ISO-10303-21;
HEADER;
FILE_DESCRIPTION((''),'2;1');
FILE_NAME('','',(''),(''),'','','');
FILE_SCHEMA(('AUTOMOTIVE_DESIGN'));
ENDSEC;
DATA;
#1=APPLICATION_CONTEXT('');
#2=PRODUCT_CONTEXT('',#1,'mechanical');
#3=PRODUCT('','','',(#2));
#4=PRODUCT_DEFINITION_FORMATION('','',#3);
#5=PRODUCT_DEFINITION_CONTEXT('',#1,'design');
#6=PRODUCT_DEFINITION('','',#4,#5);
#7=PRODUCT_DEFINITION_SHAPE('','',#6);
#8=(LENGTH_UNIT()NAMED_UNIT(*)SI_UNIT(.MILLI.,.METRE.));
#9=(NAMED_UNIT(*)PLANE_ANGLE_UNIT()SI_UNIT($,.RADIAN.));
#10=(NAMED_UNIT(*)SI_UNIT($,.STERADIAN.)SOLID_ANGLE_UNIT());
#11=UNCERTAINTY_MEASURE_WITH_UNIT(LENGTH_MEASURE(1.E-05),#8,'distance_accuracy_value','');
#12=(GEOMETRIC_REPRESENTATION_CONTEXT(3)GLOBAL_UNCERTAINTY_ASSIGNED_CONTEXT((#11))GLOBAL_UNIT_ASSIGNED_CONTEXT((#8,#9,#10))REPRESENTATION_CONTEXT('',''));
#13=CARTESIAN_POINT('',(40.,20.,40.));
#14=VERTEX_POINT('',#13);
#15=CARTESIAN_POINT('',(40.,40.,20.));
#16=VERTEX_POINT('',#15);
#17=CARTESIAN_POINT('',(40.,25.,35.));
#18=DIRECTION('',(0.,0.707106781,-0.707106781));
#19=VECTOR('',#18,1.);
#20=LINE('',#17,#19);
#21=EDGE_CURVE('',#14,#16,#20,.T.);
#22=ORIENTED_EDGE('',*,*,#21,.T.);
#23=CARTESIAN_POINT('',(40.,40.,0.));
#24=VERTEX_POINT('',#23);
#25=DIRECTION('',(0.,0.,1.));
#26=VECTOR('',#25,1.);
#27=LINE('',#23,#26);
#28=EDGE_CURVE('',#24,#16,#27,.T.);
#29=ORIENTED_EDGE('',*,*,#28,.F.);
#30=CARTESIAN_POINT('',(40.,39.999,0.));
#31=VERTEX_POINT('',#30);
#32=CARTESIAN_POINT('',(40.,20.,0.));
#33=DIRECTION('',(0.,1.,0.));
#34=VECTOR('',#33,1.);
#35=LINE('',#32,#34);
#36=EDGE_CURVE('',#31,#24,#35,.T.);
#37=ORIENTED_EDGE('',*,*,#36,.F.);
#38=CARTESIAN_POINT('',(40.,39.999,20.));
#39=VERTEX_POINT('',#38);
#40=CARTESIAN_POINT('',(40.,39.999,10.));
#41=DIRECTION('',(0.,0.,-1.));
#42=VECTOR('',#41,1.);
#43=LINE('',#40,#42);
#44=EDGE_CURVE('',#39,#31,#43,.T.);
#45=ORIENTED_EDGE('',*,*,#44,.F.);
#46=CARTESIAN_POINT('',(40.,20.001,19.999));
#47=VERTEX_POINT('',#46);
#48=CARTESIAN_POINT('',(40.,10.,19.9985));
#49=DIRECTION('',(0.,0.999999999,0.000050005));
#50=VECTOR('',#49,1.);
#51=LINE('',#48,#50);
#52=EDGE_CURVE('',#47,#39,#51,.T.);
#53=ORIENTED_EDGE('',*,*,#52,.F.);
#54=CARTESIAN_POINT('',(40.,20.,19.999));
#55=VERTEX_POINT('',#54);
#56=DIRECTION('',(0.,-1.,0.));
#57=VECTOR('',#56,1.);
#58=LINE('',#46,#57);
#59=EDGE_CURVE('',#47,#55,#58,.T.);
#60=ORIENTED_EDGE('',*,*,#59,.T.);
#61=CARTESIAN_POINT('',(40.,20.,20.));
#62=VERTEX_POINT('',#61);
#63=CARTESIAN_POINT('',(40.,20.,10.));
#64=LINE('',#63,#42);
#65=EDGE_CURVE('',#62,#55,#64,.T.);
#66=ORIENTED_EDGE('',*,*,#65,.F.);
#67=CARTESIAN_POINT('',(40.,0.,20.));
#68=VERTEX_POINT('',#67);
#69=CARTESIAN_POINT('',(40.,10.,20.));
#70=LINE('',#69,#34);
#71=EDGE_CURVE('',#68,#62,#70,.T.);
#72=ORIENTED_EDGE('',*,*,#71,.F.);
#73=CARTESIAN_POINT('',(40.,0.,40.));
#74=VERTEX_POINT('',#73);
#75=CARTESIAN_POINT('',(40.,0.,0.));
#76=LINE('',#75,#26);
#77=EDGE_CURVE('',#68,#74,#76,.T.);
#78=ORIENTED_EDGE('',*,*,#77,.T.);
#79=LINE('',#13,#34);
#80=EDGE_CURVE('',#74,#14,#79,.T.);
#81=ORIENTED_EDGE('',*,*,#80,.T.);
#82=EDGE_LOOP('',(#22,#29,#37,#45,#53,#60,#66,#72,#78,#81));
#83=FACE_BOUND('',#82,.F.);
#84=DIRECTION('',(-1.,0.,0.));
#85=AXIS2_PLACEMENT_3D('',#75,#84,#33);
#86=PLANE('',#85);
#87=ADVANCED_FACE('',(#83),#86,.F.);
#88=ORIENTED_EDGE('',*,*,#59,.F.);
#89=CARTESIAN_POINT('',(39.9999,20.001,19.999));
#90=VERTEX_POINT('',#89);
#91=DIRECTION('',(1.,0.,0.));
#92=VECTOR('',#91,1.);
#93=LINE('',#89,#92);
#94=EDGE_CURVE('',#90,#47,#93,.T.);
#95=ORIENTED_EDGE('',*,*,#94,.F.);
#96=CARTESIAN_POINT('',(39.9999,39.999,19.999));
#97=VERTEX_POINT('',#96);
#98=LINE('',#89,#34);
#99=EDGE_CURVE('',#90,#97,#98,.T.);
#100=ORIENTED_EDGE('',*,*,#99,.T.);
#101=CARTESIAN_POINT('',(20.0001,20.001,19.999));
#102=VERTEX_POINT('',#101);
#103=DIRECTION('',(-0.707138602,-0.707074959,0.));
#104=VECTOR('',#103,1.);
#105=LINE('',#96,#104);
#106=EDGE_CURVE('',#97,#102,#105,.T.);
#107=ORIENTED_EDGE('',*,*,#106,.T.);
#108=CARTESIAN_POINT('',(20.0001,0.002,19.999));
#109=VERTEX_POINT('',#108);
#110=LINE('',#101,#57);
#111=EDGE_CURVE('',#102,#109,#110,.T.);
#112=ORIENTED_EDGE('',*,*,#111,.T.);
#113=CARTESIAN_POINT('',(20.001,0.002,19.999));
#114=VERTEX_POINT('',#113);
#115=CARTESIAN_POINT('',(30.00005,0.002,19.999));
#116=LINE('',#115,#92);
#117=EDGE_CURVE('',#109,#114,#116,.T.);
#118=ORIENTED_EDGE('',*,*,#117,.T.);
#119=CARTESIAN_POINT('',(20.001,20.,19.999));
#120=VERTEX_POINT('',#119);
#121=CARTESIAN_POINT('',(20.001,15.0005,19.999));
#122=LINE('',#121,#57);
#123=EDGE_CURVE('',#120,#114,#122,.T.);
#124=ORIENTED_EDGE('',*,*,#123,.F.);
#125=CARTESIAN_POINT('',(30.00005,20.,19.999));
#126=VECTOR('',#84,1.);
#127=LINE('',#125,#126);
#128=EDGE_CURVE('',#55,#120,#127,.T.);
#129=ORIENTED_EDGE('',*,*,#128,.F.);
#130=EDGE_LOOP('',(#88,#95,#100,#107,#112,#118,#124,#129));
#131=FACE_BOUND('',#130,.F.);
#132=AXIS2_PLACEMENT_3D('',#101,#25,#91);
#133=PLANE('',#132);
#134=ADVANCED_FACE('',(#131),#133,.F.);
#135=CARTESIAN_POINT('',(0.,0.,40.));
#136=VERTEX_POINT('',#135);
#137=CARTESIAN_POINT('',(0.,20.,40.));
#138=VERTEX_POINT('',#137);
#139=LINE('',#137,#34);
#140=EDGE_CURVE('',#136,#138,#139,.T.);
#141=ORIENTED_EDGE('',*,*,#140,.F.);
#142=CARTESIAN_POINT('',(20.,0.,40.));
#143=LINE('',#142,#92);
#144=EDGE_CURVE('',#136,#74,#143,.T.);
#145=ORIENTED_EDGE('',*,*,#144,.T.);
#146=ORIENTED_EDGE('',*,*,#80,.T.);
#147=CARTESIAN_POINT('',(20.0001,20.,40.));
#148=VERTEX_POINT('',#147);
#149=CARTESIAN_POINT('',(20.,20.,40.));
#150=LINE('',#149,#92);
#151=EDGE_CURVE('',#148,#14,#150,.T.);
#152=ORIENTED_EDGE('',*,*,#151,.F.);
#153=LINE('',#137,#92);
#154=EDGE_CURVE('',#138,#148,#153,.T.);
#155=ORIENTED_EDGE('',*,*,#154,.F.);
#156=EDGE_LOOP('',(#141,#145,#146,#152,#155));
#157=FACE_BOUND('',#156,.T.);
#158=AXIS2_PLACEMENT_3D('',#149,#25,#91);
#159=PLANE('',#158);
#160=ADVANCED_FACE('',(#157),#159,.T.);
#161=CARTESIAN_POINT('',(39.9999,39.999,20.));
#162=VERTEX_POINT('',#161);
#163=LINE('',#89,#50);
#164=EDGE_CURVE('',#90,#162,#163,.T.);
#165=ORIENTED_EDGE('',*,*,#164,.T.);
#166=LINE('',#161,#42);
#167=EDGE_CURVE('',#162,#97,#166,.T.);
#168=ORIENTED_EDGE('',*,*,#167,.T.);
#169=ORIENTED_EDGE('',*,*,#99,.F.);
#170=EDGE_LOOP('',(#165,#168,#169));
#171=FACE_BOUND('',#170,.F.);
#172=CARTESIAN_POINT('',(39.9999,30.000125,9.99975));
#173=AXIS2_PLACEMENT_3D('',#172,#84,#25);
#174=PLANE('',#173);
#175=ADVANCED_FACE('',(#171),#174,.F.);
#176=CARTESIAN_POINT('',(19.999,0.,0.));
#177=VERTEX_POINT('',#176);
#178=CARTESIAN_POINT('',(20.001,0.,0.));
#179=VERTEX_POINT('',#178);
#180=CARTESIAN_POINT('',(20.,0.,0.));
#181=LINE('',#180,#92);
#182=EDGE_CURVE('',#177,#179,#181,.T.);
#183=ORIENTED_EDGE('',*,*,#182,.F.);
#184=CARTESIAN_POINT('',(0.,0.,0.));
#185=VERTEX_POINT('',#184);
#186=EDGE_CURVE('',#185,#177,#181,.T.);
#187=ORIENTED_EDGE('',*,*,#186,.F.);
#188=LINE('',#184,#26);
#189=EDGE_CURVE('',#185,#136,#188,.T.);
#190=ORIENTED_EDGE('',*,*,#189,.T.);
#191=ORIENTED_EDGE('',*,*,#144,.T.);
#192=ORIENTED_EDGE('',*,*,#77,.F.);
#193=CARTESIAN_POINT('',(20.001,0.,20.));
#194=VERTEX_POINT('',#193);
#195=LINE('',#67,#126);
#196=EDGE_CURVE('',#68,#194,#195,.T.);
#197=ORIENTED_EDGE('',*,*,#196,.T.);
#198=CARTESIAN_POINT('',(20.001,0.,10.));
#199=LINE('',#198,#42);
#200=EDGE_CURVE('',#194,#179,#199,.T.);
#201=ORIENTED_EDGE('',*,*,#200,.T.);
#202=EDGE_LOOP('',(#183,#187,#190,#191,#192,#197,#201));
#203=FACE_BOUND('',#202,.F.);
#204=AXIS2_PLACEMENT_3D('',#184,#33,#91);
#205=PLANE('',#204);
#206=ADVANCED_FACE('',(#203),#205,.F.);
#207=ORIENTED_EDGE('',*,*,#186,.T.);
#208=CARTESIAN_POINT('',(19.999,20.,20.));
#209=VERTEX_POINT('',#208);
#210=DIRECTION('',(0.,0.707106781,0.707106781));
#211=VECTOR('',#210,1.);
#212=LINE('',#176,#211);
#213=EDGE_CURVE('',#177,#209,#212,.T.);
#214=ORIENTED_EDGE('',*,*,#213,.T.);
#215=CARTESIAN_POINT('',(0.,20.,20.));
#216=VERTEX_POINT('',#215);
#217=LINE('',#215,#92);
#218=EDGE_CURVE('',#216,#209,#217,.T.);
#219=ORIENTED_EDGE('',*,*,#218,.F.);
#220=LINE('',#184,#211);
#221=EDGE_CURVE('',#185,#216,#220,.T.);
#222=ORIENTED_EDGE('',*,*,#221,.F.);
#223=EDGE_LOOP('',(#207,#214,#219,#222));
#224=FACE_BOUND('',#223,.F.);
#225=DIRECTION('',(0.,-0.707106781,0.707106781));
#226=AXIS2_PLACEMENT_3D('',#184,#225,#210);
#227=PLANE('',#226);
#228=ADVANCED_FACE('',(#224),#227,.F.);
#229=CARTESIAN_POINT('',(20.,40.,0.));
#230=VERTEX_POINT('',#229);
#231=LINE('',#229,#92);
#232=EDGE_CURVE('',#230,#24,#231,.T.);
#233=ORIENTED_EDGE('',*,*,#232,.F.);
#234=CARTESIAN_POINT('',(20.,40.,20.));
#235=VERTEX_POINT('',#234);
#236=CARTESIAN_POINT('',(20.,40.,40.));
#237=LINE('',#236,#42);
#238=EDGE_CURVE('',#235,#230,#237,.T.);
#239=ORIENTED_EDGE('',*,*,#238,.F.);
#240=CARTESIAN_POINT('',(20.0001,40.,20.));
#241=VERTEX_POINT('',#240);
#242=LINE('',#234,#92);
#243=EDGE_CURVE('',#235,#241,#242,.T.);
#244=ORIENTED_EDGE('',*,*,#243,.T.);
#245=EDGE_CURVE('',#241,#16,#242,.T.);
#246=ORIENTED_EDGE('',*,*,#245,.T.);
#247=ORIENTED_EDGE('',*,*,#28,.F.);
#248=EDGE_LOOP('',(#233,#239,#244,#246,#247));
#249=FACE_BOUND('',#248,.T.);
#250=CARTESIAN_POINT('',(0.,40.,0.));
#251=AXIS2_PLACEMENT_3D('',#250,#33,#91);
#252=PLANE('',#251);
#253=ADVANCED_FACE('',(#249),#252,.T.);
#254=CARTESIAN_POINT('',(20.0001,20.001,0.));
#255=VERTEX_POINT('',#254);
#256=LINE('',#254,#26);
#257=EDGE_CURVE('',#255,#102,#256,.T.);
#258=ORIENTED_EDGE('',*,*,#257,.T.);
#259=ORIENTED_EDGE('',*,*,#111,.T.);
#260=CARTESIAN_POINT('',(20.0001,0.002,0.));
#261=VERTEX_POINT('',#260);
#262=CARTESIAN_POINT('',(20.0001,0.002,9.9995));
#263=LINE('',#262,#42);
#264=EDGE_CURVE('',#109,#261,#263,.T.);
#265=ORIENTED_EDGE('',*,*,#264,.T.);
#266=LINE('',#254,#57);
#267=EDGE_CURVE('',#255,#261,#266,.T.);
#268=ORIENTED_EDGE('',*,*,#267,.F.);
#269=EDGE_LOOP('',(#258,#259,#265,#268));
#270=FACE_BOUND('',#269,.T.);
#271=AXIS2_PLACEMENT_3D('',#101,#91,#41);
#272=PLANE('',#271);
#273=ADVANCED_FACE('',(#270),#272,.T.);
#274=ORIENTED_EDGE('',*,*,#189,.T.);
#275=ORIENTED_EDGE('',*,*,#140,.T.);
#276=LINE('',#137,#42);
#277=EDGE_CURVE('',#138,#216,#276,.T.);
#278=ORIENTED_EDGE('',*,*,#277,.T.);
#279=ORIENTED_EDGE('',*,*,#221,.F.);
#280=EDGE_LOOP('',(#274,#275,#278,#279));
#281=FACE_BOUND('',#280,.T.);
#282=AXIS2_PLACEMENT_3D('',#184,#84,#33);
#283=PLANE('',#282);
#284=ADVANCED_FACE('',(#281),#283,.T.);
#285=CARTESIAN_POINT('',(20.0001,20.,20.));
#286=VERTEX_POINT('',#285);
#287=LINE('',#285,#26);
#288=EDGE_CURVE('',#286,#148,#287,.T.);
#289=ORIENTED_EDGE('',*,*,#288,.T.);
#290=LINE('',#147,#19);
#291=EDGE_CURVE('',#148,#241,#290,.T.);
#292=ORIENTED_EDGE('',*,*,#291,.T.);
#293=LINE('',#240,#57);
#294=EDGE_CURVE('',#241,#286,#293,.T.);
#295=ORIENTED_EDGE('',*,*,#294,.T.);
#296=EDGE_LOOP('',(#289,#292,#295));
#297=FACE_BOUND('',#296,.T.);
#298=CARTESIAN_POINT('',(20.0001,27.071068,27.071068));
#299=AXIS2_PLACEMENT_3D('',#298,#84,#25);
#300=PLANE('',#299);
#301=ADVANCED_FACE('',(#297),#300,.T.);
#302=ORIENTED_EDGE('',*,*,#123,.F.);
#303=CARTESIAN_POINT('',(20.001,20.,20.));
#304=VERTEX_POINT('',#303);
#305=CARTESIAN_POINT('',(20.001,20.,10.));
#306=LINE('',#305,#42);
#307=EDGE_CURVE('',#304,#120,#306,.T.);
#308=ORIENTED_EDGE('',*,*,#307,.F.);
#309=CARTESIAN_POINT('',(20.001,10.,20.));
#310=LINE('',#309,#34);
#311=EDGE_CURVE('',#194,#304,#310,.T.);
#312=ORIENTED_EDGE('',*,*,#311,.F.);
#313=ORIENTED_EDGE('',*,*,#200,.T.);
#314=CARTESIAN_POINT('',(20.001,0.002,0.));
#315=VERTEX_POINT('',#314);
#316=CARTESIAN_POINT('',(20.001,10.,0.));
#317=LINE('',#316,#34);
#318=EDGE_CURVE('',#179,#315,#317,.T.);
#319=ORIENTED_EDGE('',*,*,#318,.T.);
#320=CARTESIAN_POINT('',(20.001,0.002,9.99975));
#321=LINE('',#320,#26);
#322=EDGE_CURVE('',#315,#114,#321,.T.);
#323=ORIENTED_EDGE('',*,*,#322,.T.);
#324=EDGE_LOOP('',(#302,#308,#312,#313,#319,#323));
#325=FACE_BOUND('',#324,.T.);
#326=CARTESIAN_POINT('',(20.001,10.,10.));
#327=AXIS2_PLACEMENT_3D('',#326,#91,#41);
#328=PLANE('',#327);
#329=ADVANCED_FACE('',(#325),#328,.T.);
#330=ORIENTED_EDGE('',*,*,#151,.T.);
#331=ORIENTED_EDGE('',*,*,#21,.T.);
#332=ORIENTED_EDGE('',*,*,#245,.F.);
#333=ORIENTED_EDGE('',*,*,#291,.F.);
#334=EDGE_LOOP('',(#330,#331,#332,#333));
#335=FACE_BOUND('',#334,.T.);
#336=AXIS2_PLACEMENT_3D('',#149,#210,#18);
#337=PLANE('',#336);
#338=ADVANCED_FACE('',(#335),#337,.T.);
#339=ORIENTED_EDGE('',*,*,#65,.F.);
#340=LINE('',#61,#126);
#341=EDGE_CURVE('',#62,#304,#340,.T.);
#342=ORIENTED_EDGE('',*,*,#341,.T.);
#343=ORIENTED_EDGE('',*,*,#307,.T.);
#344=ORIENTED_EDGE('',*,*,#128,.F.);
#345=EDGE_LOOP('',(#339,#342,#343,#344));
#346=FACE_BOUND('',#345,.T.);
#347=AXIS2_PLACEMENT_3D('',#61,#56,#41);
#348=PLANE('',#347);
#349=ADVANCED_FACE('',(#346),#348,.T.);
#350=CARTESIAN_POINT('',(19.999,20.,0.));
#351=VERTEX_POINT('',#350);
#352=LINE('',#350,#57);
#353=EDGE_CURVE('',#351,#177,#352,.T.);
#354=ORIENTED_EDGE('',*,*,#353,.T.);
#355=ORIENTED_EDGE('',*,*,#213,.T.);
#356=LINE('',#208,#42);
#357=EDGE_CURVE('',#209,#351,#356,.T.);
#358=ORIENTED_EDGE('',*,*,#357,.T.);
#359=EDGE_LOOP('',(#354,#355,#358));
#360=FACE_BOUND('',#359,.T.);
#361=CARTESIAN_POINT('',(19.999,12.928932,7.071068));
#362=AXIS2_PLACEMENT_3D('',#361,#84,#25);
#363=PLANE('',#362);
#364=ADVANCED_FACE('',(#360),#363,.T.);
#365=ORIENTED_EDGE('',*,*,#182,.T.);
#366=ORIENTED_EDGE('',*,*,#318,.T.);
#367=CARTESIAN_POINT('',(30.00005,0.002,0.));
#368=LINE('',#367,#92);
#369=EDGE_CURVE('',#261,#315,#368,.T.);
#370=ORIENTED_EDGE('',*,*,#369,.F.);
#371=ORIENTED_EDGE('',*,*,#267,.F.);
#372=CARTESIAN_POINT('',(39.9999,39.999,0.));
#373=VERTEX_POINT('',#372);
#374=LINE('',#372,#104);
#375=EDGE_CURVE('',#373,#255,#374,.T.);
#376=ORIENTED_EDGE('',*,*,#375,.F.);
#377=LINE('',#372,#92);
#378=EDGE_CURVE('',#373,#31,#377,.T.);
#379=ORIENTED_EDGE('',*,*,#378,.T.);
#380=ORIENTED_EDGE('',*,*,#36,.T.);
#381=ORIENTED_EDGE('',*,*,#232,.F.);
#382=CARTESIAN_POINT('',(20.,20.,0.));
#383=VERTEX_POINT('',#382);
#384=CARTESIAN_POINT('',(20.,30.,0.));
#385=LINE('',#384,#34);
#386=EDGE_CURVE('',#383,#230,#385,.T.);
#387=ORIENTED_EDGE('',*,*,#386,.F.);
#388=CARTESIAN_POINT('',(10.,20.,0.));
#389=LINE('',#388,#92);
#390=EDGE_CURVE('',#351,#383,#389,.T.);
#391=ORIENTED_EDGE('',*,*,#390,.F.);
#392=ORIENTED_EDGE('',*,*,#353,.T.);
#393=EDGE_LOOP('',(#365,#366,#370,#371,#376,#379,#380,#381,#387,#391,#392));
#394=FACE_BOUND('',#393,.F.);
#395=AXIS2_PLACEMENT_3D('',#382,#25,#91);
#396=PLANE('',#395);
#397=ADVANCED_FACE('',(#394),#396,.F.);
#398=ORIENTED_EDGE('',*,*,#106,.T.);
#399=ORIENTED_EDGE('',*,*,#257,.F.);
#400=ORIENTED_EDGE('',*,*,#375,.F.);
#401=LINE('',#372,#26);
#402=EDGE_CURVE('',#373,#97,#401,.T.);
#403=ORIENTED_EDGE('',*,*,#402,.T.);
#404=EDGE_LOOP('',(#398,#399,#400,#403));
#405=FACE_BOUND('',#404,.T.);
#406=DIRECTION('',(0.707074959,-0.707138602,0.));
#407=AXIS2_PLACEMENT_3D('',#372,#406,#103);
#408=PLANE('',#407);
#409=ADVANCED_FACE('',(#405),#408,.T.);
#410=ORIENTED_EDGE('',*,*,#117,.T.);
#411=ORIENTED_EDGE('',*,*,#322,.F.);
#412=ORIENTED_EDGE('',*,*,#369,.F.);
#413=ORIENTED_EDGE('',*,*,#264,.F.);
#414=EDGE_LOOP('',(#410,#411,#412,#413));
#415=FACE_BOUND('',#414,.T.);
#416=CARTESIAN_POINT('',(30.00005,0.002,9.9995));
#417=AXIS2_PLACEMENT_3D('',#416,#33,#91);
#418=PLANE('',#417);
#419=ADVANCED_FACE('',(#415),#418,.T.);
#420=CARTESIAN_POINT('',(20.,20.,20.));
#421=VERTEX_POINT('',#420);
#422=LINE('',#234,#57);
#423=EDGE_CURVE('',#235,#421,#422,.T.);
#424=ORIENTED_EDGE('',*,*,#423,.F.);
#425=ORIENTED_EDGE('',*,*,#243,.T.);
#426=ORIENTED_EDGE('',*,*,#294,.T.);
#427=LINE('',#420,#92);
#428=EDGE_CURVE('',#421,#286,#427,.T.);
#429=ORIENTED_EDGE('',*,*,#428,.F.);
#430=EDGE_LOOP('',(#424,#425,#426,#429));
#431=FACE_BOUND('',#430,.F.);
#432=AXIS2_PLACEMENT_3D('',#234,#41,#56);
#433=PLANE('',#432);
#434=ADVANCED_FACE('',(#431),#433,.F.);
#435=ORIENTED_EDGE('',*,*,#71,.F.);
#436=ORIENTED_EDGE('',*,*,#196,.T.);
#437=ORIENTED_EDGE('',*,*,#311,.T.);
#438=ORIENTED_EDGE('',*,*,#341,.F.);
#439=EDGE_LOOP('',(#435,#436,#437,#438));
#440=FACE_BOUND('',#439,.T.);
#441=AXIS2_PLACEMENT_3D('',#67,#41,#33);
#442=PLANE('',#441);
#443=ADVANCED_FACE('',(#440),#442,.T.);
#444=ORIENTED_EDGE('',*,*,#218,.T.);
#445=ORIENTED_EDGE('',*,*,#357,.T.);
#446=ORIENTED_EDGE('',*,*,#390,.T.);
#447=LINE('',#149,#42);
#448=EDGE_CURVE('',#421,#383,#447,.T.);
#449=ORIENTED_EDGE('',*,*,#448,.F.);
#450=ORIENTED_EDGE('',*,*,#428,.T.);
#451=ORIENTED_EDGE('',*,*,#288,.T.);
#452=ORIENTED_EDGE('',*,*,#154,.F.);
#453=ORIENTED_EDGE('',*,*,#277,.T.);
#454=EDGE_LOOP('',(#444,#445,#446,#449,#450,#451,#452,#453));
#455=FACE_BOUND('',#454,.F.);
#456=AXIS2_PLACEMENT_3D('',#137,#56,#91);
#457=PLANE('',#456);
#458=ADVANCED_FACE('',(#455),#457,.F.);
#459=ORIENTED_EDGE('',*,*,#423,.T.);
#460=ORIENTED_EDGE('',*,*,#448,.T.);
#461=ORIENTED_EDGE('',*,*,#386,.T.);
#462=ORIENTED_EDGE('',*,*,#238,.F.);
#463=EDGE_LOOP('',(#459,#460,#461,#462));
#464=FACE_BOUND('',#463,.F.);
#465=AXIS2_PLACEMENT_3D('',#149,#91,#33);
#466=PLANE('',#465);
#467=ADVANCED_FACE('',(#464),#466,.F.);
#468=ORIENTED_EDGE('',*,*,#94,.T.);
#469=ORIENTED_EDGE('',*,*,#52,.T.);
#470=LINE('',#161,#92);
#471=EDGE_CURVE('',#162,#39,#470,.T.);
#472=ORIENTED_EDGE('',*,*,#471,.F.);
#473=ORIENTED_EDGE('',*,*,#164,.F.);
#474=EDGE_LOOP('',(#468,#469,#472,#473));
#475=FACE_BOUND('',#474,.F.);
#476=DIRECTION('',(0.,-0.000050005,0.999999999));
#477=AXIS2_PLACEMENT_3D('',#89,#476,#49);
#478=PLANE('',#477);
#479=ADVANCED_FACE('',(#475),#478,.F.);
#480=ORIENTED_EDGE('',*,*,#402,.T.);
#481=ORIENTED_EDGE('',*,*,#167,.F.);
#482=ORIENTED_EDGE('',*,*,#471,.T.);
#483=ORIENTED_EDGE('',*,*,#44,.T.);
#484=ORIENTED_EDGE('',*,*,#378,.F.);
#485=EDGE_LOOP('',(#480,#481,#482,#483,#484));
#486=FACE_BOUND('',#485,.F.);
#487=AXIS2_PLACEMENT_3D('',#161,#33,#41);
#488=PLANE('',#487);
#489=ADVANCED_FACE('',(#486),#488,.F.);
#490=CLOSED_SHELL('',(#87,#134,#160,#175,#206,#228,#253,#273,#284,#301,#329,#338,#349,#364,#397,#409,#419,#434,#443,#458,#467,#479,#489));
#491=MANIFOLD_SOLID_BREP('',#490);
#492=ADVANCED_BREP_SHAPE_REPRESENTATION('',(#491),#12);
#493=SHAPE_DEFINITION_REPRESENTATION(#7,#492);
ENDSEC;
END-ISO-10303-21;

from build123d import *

# Parameters (mm, degrees)
SKETCH1_W           = 40
SKETCH1_H           = 40
BOSS_EXTRUDE1_DEPTH = 40
SKETCH2_W           = 20
SKETCH2_H           = 20
CUT_EXTRUDE1_DEPTH  = 40
CUT_EXTRUDE2_DEPTH  = 40
SKETCH4_W           = 20
SKETCH4_H           = 20
CUT_EXTRUDE4_DEPTH  = 19.999
CUT_EXTRUDE6_DEPTH  = 19.999
CUT_EXTRUDE7_DEPTH  = 19.999
SKETCH7_W           = 19.9999
SKETCH7_H           = 19.999
CUT_EXTRUDE8_DEPTH  = 19.999
CUT_EXTRUDE9_DEPTH  = 19.999
CUT_EXTRUDE10_DEPTH = 0.0001


with BuildPart() as part:
    # Sketch1 → Boss-Extrude1 (new body)
    with BuildSketch(Plane.XY):
        with Locations((20, 20)):
            Rectangle(SKETCH1_W, SKETCH1_H)
    extrude(amount=BOSS_EXTRUDE1_DEPTH)

    # Sketch2 → Cut-Extrude1 (cut)
    with BuildSketch(Plane.XY.offset(40)):
        with Locations((10, 30)):
            Rectangle(SKETCH2_W, SKETCH2_H)
    extrude(amount=-CUT_EXTRUDE1_DEPTH, mode=Mode.SUBTRACT)

    # Sketch3 → Cut-Extrude2 (cut)
    with BuildSketch(Plane.ZY.offset(-20)):
        Polygon((40, 20), (20, 40), (40, 40), align=None)
    extrude(amount=-CUT_EXTRUDE2_DEPTH, mode=Mode.SUBTRACT)

    # Sketch4 → Cut-Extrude4 (cut)
    with BuildSketch(Plane(origin=(40, 0, 0), x_dir=(0, 0, -1), z_dir=(1, 0, 0))):
        with Locations((-10, 10)):
            Rectangle(SKETCH4_W, SKETCH4_H)
    extrude(amount=-CUT_EXTRUDE4_DEPTH, mode=Mode.SUBTRACT)

    # Sketch5 → Cut-Extrude6 (cut)
    with BuildSketch(Plane(origin=(0, 0, 0), x_dir=(-1, 0, 0), z_dir=(0, 0, -1))):
        Polygon((-39.9999, 39.999), (-20.0001, 20.001), (-39.9999, 20.001), align=None)
    extrude(amount=-CUT_EXTRUDE6_DEPTH, mode=Mode.SUBTRACT)

    # Sketch6 → Cut-Extrude7 (cut)
    with BuildSketch(Plane.ZY.offset(-39.9999)):
        Polygon((0, 20.001), (19.999, 20.001), (20, 39.999), (0, 39.999), align=None)
    extrude(amount=-CUT_EXTRUDE7_DEPTH, mode=Mode.SUBTRACT)

    # Sketch7 → Cut-Extrude8 (cut)
    with BuildSketch(Plane(origin=(0, 20.001, 0), x_dir=(1, 0, 0), z_dir=(0, 1, 0))):
        with Locations((30.00005, -9.9995)):
            Rectangle(SKETCH7_W, SKETCH7_H)
    extrude(amount=-CUT_EXTRUDE8_DEPTH, mode=Mode.SUBTRACT)

    # Sketch8 → Cut-Extrude9 (cut)
    with BuildSketch(Plane.ZY):
        Polygon((0, 0), (20, 20), (0, 20), align=None)
    extrude(amount=-CUT_EXTRUDE9_DEPTH, mode=Mode.SUBTRACT)

    # Sketch9 → Cut-Extrude10 (cut)
    with BuildSketch(Plane.ZY.offset(-20)):
        Polygon((20, 40), (20, 20), (40, 20), align=None)
    extrude(amount=-CUT_EXTRUDE10_DEPTH, mode=Mode.SUBTRACT)


solid = part.part
